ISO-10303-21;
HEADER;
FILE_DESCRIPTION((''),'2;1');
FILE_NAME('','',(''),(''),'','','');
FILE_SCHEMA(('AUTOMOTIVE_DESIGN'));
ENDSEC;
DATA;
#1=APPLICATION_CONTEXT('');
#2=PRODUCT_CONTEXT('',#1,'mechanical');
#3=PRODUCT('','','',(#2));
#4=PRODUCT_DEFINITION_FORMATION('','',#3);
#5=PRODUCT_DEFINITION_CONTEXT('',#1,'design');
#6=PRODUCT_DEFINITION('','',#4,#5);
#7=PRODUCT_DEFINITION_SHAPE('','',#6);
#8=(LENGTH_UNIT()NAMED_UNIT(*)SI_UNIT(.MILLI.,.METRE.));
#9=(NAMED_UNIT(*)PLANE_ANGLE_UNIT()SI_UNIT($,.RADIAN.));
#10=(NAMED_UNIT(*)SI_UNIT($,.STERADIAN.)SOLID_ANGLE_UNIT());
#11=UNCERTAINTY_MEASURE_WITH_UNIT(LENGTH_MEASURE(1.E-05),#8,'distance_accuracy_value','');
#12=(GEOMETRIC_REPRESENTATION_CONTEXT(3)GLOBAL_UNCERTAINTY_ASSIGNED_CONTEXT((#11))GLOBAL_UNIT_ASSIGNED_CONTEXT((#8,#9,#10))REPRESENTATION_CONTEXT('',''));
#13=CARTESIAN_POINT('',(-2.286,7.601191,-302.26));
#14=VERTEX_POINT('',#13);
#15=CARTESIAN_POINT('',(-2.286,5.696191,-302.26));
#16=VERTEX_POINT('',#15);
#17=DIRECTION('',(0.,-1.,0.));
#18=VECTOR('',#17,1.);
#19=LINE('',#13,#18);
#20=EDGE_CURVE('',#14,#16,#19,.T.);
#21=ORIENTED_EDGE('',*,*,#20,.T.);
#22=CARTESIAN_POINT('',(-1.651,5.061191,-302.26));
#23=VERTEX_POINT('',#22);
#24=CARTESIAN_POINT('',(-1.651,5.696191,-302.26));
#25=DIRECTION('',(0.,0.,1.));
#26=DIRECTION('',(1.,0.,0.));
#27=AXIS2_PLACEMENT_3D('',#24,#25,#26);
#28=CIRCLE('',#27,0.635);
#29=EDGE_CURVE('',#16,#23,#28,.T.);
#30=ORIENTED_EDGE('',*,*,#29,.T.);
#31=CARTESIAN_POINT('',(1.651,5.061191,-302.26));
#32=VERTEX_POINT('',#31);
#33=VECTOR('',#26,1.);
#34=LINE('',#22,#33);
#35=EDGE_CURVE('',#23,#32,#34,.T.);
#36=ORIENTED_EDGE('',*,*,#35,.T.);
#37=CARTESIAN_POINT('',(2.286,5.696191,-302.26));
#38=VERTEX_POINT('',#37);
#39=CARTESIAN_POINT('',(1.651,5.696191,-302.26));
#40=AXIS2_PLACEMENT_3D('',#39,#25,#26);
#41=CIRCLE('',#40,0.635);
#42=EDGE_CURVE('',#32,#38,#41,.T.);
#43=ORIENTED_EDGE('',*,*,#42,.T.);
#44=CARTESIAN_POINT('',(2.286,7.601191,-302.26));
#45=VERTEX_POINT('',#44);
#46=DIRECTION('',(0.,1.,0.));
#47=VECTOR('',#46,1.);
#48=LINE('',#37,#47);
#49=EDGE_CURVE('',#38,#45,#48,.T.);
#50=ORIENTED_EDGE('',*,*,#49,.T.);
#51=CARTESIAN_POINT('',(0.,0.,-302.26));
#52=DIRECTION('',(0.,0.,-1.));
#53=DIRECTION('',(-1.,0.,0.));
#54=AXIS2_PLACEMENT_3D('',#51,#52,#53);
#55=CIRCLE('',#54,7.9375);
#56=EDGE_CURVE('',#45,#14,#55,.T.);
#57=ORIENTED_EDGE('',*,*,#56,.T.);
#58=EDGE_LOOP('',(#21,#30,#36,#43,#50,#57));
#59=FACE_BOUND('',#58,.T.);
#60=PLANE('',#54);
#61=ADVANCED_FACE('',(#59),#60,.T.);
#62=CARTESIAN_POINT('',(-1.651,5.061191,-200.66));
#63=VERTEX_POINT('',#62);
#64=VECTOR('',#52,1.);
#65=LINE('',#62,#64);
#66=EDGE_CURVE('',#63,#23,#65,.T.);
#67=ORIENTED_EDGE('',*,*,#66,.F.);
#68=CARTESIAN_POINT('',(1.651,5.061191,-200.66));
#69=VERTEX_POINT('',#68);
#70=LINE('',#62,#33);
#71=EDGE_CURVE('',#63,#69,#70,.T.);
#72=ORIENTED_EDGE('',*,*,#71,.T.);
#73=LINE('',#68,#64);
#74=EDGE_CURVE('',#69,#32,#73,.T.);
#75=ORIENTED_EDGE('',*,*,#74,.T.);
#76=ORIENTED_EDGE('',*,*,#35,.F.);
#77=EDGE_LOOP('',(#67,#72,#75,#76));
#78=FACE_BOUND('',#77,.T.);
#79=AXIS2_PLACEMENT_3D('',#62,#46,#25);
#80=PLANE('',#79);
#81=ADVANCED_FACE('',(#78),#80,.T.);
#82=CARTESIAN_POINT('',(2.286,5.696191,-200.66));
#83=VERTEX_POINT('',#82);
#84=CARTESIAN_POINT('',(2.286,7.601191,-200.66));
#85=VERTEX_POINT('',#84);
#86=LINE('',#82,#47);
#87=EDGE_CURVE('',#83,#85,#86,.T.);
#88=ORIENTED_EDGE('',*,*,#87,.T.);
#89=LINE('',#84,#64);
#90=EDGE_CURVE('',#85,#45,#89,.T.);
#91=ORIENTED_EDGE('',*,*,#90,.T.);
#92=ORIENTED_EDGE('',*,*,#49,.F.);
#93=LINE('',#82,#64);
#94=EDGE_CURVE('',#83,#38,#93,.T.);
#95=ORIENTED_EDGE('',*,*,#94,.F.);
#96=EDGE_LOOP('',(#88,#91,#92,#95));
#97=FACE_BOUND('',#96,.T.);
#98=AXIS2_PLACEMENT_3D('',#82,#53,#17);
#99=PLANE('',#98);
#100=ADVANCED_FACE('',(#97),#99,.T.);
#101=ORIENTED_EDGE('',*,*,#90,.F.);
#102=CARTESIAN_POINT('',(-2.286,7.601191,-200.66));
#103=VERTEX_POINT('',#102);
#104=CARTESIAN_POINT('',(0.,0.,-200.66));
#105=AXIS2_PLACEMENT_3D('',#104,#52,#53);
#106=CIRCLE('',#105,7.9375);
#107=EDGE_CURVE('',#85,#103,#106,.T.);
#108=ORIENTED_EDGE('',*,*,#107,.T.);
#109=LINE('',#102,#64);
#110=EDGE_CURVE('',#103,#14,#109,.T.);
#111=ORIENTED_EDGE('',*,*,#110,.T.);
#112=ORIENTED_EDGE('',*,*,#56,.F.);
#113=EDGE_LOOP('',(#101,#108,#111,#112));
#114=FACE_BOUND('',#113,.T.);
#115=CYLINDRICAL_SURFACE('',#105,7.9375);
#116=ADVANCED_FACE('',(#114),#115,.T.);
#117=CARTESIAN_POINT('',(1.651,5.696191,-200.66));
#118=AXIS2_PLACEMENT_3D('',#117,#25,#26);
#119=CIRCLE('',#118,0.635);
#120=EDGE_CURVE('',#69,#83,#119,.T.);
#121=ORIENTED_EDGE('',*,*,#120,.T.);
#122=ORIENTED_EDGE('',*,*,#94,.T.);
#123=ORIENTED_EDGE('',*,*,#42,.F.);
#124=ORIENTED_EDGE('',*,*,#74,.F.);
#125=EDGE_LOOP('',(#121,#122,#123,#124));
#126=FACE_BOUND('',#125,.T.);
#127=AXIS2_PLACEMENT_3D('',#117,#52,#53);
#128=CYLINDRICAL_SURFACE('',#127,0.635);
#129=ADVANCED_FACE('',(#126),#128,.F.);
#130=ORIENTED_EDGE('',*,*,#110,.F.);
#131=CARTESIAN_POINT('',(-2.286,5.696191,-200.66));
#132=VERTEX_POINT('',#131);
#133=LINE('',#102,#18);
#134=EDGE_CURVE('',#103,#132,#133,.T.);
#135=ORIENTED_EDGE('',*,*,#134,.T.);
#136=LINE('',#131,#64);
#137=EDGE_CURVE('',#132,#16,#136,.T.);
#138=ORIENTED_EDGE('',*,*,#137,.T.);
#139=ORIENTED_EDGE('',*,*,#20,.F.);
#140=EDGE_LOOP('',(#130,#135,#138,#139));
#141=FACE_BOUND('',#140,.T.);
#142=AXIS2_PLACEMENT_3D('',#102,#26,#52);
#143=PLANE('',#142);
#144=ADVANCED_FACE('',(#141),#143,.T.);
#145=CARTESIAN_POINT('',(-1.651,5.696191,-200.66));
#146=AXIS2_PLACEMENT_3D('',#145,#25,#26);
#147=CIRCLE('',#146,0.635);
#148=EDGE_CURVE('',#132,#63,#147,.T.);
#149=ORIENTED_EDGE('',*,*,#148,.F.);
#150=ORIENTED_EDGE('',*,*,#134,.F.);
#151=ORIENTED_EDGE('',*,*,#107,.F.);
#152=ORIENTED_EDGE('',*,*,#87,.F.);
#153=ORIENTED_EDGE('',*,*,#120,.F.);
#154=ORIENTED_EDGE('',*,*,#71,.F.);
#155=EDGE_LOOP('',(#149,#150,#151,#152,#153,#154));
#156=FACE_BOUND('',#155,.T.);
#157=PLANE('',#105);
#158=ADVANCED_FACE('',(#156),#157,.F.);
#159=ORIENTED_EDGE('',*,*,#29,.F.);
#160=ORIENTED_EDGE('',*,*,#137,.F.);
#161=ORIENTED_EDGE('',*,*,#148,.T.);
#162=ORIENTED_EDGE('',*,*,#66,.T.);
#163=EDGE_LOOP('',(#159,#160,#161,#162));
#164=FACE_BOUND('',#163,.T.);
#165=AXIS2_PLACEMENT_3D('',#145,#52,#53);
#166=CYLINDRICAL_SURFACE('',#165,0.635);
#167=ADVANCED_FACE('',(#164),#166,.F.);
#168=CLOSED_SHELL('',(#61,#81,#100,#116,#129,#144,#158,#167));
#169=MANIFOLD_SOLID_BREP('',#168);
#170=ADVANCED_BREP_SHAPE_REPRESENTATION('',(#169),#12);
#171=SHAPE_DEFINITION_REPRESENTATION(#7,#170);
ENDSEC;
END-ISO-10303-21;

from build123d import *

# Parameters (mm, degrees)
BOSS_EXTRUDE1_DEPTH = 101.6


with BuildPart() as part:
    # Sketch1 → Boss-Extrude1 (new body)
    with BuildSketch(Plane(origin=(0, 0, -302.26), x_dir=(-1, 0, 0), z_dir=(0, 0, -1))):
        with BuildLine():
            Line((2.286, 7.60119137), (2.286, 5.69619137))
            ThreePointArc((2.286, 5.69619137), (2.100012806, 5.247178564), (1.651, 5.06119137))
            Line((1.651, 5.06119137), (-1.651, 5.06119137))
            ThreePointArc((-1.651, 5.06119137), (-2.100012806, 5.247178564), (-2.286, 5.69619137))
            Line((-2.286, 5.69619137), (-2.286, 7.60119137))
            ThreePointArc((-2.286, 7.60119137), (0, -7.9375), (2.286, 7.60119137))
        make_face()
    extrude(amount=-BOSS_EXTRUDE1_DEPTH)


solid = part.part
